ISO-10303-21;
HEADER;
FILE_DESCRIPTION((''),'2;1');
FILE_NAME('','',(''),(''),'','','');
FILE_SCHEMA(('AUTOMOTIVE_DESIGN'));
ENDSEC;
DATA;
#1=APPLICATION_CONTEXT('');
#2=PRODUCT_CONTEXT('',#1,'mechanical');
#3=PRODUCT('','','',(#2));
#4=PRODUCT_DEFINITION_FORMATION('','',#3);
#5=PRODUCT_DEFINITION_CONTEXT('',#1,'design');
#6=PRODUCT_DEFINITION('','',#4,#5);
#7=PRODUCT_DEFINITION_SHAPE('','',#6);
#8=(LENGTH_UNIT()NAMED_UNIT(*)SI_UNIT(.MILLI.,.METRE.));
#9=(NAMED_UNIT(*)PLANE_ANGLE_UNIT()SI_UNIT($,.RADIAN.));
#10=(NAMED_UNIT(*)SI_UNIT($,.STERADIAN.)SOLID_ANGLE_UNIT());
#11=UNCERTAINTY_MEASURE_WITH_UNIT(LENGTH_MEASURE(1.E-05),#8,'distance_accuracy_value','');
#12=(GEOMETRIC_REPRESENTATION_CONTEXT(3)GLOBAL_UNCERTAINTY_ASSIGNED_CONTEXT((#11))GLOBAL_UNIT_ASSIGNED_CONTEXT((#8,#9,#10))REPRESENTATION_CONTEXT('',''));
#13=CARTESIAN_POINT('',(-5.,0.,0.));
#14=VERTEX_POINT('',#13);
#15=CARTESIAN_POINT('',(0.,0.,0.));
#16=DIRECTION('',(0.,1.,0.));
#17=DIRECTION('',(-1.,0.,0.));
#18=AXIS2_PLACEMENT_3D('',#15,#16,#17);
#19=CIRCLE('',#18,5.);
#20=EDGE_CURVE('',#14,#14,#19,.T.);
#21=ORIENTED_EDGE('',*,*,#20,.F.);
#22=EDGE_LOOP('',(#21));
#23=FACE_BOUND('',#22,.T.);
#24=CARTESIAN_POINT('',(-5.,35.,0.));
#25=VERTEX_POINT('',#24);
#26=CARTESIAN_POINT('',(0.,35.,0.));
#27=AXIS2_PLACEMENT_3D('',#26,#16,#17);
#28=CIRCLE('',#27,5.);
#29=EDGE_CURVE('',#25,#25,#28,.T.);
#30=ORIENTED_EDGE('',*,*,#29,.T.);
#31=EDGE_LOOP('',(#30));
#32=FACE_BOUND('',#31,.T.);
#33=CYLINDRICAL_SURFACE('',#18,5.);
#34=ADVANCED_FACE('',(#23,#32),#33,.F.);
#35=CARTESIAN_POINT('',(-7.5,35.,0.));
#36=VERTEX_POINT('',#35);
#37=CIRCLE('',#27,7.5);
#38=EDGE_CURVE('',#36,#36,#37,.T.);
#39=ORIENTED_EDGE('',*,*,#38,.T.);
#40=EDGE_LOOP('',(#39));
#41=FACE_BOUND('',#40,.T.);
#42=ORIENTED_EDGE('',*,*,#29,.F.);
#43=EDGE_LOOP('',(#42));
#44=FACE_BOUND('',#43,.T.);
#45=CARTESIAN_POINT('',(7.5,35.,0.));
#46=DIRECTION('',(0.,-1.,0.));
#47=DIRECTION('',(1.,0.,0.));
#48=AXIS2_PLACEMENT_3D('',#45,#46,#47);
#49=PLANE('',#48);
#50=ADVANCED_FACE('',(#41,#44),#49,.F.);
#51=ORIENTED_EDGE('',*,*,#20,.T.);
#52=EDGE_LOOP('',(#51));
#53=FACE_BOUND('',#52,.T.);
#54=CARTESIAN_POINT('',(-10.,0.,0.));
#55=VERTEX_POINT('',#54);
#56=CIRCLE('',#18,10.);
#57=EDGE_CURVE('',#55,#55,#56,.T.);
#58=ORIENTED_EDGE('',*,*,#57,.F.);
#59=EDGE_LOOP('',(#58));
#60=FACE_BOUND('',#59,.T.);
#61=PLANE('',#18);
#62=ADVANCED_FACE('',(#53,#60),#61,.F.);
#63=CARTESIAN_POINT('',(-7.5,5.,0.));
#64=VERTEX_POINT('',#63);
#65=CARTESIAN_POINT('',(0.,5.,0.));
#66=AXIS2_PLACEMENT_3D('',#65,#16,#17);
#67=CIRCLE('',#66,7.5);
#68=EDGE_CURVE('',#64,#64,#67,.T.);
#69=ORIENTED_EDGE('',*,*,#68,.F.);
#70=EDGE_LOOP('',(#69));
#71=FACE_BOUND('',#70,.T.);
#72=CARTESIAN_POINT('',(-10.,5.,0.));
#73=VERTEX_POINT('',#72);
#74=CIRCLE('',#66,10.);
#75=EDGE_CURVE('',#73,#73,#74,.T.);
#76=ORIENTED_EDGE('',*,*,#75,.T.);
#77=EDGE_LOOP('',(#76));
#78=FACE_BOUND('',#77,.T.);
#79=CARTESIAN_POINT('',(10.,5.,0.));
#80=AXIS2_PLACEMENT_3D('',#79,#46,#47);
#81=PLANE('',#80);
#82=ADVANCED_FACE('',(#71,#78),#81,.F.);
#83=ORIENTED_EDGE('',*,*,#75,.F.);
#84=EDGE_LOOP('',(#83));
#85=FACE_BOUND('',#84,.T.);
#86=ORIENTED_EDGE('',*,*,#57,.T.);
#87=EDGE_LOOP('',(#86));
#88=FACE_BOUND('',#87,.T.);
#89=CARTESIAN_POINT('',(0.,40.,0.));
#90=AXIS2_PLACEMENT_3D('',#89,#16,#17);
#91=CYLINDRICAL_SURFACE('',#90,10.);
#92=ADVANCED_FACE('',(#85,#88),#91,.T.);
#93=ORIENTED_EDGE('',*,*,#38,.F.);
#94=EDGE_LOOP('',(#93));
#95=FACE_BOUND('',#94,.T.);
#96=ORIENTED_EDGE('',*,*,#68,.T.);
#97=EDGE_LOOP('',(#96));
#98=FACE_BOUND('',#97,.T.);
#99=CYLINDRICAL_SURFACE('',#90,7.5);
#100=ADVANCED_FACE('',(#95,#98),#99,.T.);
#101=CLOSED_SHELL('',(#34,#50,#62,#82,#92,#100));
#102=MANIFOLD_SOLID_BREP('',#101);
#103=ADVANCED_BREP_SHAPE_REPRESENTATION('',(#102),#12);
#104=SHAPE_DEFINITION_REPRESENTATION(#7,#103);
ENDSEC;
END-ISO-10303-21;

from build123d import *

# Parameters (mm, degrees)
SKETCH2_R          = 5
CUT_EXTRUDE1_DEPTH = 38.749172176


with BuildPart() as part:
    # Sketch1 → Revolve1 (revolve)
    with BuildSketch(Plane.XY, mode=Mode.PRIVATE) as revolve1_sk:
        Polygon((0, 0), (10, 0), (10, 5), (7.5, 5), (7.5, 35), (0, 35), align=None)
    revolve(revolve1_sk.sketch.rotate(Axis((0, 40, 0), (0, -1, 0)), 180), axis=Axis((0, 40, 0), (0, -1, 0)))

    # Sketch2 → Cut-Extrude1 (cut, through all)
    with BuildSketch(Plane(origin=(0, 35, 0), x_dir=(1, 0, 0), z_dir=(0, 1, 0))):
        with Locations(Location((0, 0, 0), (0, 0, 180))):
            Circle(SKETCH2_R)
    extrude(amount=-CUT_EXTRUDE1_DEPTH, mode=Mode.SUBTRACT)


solid = part.part
